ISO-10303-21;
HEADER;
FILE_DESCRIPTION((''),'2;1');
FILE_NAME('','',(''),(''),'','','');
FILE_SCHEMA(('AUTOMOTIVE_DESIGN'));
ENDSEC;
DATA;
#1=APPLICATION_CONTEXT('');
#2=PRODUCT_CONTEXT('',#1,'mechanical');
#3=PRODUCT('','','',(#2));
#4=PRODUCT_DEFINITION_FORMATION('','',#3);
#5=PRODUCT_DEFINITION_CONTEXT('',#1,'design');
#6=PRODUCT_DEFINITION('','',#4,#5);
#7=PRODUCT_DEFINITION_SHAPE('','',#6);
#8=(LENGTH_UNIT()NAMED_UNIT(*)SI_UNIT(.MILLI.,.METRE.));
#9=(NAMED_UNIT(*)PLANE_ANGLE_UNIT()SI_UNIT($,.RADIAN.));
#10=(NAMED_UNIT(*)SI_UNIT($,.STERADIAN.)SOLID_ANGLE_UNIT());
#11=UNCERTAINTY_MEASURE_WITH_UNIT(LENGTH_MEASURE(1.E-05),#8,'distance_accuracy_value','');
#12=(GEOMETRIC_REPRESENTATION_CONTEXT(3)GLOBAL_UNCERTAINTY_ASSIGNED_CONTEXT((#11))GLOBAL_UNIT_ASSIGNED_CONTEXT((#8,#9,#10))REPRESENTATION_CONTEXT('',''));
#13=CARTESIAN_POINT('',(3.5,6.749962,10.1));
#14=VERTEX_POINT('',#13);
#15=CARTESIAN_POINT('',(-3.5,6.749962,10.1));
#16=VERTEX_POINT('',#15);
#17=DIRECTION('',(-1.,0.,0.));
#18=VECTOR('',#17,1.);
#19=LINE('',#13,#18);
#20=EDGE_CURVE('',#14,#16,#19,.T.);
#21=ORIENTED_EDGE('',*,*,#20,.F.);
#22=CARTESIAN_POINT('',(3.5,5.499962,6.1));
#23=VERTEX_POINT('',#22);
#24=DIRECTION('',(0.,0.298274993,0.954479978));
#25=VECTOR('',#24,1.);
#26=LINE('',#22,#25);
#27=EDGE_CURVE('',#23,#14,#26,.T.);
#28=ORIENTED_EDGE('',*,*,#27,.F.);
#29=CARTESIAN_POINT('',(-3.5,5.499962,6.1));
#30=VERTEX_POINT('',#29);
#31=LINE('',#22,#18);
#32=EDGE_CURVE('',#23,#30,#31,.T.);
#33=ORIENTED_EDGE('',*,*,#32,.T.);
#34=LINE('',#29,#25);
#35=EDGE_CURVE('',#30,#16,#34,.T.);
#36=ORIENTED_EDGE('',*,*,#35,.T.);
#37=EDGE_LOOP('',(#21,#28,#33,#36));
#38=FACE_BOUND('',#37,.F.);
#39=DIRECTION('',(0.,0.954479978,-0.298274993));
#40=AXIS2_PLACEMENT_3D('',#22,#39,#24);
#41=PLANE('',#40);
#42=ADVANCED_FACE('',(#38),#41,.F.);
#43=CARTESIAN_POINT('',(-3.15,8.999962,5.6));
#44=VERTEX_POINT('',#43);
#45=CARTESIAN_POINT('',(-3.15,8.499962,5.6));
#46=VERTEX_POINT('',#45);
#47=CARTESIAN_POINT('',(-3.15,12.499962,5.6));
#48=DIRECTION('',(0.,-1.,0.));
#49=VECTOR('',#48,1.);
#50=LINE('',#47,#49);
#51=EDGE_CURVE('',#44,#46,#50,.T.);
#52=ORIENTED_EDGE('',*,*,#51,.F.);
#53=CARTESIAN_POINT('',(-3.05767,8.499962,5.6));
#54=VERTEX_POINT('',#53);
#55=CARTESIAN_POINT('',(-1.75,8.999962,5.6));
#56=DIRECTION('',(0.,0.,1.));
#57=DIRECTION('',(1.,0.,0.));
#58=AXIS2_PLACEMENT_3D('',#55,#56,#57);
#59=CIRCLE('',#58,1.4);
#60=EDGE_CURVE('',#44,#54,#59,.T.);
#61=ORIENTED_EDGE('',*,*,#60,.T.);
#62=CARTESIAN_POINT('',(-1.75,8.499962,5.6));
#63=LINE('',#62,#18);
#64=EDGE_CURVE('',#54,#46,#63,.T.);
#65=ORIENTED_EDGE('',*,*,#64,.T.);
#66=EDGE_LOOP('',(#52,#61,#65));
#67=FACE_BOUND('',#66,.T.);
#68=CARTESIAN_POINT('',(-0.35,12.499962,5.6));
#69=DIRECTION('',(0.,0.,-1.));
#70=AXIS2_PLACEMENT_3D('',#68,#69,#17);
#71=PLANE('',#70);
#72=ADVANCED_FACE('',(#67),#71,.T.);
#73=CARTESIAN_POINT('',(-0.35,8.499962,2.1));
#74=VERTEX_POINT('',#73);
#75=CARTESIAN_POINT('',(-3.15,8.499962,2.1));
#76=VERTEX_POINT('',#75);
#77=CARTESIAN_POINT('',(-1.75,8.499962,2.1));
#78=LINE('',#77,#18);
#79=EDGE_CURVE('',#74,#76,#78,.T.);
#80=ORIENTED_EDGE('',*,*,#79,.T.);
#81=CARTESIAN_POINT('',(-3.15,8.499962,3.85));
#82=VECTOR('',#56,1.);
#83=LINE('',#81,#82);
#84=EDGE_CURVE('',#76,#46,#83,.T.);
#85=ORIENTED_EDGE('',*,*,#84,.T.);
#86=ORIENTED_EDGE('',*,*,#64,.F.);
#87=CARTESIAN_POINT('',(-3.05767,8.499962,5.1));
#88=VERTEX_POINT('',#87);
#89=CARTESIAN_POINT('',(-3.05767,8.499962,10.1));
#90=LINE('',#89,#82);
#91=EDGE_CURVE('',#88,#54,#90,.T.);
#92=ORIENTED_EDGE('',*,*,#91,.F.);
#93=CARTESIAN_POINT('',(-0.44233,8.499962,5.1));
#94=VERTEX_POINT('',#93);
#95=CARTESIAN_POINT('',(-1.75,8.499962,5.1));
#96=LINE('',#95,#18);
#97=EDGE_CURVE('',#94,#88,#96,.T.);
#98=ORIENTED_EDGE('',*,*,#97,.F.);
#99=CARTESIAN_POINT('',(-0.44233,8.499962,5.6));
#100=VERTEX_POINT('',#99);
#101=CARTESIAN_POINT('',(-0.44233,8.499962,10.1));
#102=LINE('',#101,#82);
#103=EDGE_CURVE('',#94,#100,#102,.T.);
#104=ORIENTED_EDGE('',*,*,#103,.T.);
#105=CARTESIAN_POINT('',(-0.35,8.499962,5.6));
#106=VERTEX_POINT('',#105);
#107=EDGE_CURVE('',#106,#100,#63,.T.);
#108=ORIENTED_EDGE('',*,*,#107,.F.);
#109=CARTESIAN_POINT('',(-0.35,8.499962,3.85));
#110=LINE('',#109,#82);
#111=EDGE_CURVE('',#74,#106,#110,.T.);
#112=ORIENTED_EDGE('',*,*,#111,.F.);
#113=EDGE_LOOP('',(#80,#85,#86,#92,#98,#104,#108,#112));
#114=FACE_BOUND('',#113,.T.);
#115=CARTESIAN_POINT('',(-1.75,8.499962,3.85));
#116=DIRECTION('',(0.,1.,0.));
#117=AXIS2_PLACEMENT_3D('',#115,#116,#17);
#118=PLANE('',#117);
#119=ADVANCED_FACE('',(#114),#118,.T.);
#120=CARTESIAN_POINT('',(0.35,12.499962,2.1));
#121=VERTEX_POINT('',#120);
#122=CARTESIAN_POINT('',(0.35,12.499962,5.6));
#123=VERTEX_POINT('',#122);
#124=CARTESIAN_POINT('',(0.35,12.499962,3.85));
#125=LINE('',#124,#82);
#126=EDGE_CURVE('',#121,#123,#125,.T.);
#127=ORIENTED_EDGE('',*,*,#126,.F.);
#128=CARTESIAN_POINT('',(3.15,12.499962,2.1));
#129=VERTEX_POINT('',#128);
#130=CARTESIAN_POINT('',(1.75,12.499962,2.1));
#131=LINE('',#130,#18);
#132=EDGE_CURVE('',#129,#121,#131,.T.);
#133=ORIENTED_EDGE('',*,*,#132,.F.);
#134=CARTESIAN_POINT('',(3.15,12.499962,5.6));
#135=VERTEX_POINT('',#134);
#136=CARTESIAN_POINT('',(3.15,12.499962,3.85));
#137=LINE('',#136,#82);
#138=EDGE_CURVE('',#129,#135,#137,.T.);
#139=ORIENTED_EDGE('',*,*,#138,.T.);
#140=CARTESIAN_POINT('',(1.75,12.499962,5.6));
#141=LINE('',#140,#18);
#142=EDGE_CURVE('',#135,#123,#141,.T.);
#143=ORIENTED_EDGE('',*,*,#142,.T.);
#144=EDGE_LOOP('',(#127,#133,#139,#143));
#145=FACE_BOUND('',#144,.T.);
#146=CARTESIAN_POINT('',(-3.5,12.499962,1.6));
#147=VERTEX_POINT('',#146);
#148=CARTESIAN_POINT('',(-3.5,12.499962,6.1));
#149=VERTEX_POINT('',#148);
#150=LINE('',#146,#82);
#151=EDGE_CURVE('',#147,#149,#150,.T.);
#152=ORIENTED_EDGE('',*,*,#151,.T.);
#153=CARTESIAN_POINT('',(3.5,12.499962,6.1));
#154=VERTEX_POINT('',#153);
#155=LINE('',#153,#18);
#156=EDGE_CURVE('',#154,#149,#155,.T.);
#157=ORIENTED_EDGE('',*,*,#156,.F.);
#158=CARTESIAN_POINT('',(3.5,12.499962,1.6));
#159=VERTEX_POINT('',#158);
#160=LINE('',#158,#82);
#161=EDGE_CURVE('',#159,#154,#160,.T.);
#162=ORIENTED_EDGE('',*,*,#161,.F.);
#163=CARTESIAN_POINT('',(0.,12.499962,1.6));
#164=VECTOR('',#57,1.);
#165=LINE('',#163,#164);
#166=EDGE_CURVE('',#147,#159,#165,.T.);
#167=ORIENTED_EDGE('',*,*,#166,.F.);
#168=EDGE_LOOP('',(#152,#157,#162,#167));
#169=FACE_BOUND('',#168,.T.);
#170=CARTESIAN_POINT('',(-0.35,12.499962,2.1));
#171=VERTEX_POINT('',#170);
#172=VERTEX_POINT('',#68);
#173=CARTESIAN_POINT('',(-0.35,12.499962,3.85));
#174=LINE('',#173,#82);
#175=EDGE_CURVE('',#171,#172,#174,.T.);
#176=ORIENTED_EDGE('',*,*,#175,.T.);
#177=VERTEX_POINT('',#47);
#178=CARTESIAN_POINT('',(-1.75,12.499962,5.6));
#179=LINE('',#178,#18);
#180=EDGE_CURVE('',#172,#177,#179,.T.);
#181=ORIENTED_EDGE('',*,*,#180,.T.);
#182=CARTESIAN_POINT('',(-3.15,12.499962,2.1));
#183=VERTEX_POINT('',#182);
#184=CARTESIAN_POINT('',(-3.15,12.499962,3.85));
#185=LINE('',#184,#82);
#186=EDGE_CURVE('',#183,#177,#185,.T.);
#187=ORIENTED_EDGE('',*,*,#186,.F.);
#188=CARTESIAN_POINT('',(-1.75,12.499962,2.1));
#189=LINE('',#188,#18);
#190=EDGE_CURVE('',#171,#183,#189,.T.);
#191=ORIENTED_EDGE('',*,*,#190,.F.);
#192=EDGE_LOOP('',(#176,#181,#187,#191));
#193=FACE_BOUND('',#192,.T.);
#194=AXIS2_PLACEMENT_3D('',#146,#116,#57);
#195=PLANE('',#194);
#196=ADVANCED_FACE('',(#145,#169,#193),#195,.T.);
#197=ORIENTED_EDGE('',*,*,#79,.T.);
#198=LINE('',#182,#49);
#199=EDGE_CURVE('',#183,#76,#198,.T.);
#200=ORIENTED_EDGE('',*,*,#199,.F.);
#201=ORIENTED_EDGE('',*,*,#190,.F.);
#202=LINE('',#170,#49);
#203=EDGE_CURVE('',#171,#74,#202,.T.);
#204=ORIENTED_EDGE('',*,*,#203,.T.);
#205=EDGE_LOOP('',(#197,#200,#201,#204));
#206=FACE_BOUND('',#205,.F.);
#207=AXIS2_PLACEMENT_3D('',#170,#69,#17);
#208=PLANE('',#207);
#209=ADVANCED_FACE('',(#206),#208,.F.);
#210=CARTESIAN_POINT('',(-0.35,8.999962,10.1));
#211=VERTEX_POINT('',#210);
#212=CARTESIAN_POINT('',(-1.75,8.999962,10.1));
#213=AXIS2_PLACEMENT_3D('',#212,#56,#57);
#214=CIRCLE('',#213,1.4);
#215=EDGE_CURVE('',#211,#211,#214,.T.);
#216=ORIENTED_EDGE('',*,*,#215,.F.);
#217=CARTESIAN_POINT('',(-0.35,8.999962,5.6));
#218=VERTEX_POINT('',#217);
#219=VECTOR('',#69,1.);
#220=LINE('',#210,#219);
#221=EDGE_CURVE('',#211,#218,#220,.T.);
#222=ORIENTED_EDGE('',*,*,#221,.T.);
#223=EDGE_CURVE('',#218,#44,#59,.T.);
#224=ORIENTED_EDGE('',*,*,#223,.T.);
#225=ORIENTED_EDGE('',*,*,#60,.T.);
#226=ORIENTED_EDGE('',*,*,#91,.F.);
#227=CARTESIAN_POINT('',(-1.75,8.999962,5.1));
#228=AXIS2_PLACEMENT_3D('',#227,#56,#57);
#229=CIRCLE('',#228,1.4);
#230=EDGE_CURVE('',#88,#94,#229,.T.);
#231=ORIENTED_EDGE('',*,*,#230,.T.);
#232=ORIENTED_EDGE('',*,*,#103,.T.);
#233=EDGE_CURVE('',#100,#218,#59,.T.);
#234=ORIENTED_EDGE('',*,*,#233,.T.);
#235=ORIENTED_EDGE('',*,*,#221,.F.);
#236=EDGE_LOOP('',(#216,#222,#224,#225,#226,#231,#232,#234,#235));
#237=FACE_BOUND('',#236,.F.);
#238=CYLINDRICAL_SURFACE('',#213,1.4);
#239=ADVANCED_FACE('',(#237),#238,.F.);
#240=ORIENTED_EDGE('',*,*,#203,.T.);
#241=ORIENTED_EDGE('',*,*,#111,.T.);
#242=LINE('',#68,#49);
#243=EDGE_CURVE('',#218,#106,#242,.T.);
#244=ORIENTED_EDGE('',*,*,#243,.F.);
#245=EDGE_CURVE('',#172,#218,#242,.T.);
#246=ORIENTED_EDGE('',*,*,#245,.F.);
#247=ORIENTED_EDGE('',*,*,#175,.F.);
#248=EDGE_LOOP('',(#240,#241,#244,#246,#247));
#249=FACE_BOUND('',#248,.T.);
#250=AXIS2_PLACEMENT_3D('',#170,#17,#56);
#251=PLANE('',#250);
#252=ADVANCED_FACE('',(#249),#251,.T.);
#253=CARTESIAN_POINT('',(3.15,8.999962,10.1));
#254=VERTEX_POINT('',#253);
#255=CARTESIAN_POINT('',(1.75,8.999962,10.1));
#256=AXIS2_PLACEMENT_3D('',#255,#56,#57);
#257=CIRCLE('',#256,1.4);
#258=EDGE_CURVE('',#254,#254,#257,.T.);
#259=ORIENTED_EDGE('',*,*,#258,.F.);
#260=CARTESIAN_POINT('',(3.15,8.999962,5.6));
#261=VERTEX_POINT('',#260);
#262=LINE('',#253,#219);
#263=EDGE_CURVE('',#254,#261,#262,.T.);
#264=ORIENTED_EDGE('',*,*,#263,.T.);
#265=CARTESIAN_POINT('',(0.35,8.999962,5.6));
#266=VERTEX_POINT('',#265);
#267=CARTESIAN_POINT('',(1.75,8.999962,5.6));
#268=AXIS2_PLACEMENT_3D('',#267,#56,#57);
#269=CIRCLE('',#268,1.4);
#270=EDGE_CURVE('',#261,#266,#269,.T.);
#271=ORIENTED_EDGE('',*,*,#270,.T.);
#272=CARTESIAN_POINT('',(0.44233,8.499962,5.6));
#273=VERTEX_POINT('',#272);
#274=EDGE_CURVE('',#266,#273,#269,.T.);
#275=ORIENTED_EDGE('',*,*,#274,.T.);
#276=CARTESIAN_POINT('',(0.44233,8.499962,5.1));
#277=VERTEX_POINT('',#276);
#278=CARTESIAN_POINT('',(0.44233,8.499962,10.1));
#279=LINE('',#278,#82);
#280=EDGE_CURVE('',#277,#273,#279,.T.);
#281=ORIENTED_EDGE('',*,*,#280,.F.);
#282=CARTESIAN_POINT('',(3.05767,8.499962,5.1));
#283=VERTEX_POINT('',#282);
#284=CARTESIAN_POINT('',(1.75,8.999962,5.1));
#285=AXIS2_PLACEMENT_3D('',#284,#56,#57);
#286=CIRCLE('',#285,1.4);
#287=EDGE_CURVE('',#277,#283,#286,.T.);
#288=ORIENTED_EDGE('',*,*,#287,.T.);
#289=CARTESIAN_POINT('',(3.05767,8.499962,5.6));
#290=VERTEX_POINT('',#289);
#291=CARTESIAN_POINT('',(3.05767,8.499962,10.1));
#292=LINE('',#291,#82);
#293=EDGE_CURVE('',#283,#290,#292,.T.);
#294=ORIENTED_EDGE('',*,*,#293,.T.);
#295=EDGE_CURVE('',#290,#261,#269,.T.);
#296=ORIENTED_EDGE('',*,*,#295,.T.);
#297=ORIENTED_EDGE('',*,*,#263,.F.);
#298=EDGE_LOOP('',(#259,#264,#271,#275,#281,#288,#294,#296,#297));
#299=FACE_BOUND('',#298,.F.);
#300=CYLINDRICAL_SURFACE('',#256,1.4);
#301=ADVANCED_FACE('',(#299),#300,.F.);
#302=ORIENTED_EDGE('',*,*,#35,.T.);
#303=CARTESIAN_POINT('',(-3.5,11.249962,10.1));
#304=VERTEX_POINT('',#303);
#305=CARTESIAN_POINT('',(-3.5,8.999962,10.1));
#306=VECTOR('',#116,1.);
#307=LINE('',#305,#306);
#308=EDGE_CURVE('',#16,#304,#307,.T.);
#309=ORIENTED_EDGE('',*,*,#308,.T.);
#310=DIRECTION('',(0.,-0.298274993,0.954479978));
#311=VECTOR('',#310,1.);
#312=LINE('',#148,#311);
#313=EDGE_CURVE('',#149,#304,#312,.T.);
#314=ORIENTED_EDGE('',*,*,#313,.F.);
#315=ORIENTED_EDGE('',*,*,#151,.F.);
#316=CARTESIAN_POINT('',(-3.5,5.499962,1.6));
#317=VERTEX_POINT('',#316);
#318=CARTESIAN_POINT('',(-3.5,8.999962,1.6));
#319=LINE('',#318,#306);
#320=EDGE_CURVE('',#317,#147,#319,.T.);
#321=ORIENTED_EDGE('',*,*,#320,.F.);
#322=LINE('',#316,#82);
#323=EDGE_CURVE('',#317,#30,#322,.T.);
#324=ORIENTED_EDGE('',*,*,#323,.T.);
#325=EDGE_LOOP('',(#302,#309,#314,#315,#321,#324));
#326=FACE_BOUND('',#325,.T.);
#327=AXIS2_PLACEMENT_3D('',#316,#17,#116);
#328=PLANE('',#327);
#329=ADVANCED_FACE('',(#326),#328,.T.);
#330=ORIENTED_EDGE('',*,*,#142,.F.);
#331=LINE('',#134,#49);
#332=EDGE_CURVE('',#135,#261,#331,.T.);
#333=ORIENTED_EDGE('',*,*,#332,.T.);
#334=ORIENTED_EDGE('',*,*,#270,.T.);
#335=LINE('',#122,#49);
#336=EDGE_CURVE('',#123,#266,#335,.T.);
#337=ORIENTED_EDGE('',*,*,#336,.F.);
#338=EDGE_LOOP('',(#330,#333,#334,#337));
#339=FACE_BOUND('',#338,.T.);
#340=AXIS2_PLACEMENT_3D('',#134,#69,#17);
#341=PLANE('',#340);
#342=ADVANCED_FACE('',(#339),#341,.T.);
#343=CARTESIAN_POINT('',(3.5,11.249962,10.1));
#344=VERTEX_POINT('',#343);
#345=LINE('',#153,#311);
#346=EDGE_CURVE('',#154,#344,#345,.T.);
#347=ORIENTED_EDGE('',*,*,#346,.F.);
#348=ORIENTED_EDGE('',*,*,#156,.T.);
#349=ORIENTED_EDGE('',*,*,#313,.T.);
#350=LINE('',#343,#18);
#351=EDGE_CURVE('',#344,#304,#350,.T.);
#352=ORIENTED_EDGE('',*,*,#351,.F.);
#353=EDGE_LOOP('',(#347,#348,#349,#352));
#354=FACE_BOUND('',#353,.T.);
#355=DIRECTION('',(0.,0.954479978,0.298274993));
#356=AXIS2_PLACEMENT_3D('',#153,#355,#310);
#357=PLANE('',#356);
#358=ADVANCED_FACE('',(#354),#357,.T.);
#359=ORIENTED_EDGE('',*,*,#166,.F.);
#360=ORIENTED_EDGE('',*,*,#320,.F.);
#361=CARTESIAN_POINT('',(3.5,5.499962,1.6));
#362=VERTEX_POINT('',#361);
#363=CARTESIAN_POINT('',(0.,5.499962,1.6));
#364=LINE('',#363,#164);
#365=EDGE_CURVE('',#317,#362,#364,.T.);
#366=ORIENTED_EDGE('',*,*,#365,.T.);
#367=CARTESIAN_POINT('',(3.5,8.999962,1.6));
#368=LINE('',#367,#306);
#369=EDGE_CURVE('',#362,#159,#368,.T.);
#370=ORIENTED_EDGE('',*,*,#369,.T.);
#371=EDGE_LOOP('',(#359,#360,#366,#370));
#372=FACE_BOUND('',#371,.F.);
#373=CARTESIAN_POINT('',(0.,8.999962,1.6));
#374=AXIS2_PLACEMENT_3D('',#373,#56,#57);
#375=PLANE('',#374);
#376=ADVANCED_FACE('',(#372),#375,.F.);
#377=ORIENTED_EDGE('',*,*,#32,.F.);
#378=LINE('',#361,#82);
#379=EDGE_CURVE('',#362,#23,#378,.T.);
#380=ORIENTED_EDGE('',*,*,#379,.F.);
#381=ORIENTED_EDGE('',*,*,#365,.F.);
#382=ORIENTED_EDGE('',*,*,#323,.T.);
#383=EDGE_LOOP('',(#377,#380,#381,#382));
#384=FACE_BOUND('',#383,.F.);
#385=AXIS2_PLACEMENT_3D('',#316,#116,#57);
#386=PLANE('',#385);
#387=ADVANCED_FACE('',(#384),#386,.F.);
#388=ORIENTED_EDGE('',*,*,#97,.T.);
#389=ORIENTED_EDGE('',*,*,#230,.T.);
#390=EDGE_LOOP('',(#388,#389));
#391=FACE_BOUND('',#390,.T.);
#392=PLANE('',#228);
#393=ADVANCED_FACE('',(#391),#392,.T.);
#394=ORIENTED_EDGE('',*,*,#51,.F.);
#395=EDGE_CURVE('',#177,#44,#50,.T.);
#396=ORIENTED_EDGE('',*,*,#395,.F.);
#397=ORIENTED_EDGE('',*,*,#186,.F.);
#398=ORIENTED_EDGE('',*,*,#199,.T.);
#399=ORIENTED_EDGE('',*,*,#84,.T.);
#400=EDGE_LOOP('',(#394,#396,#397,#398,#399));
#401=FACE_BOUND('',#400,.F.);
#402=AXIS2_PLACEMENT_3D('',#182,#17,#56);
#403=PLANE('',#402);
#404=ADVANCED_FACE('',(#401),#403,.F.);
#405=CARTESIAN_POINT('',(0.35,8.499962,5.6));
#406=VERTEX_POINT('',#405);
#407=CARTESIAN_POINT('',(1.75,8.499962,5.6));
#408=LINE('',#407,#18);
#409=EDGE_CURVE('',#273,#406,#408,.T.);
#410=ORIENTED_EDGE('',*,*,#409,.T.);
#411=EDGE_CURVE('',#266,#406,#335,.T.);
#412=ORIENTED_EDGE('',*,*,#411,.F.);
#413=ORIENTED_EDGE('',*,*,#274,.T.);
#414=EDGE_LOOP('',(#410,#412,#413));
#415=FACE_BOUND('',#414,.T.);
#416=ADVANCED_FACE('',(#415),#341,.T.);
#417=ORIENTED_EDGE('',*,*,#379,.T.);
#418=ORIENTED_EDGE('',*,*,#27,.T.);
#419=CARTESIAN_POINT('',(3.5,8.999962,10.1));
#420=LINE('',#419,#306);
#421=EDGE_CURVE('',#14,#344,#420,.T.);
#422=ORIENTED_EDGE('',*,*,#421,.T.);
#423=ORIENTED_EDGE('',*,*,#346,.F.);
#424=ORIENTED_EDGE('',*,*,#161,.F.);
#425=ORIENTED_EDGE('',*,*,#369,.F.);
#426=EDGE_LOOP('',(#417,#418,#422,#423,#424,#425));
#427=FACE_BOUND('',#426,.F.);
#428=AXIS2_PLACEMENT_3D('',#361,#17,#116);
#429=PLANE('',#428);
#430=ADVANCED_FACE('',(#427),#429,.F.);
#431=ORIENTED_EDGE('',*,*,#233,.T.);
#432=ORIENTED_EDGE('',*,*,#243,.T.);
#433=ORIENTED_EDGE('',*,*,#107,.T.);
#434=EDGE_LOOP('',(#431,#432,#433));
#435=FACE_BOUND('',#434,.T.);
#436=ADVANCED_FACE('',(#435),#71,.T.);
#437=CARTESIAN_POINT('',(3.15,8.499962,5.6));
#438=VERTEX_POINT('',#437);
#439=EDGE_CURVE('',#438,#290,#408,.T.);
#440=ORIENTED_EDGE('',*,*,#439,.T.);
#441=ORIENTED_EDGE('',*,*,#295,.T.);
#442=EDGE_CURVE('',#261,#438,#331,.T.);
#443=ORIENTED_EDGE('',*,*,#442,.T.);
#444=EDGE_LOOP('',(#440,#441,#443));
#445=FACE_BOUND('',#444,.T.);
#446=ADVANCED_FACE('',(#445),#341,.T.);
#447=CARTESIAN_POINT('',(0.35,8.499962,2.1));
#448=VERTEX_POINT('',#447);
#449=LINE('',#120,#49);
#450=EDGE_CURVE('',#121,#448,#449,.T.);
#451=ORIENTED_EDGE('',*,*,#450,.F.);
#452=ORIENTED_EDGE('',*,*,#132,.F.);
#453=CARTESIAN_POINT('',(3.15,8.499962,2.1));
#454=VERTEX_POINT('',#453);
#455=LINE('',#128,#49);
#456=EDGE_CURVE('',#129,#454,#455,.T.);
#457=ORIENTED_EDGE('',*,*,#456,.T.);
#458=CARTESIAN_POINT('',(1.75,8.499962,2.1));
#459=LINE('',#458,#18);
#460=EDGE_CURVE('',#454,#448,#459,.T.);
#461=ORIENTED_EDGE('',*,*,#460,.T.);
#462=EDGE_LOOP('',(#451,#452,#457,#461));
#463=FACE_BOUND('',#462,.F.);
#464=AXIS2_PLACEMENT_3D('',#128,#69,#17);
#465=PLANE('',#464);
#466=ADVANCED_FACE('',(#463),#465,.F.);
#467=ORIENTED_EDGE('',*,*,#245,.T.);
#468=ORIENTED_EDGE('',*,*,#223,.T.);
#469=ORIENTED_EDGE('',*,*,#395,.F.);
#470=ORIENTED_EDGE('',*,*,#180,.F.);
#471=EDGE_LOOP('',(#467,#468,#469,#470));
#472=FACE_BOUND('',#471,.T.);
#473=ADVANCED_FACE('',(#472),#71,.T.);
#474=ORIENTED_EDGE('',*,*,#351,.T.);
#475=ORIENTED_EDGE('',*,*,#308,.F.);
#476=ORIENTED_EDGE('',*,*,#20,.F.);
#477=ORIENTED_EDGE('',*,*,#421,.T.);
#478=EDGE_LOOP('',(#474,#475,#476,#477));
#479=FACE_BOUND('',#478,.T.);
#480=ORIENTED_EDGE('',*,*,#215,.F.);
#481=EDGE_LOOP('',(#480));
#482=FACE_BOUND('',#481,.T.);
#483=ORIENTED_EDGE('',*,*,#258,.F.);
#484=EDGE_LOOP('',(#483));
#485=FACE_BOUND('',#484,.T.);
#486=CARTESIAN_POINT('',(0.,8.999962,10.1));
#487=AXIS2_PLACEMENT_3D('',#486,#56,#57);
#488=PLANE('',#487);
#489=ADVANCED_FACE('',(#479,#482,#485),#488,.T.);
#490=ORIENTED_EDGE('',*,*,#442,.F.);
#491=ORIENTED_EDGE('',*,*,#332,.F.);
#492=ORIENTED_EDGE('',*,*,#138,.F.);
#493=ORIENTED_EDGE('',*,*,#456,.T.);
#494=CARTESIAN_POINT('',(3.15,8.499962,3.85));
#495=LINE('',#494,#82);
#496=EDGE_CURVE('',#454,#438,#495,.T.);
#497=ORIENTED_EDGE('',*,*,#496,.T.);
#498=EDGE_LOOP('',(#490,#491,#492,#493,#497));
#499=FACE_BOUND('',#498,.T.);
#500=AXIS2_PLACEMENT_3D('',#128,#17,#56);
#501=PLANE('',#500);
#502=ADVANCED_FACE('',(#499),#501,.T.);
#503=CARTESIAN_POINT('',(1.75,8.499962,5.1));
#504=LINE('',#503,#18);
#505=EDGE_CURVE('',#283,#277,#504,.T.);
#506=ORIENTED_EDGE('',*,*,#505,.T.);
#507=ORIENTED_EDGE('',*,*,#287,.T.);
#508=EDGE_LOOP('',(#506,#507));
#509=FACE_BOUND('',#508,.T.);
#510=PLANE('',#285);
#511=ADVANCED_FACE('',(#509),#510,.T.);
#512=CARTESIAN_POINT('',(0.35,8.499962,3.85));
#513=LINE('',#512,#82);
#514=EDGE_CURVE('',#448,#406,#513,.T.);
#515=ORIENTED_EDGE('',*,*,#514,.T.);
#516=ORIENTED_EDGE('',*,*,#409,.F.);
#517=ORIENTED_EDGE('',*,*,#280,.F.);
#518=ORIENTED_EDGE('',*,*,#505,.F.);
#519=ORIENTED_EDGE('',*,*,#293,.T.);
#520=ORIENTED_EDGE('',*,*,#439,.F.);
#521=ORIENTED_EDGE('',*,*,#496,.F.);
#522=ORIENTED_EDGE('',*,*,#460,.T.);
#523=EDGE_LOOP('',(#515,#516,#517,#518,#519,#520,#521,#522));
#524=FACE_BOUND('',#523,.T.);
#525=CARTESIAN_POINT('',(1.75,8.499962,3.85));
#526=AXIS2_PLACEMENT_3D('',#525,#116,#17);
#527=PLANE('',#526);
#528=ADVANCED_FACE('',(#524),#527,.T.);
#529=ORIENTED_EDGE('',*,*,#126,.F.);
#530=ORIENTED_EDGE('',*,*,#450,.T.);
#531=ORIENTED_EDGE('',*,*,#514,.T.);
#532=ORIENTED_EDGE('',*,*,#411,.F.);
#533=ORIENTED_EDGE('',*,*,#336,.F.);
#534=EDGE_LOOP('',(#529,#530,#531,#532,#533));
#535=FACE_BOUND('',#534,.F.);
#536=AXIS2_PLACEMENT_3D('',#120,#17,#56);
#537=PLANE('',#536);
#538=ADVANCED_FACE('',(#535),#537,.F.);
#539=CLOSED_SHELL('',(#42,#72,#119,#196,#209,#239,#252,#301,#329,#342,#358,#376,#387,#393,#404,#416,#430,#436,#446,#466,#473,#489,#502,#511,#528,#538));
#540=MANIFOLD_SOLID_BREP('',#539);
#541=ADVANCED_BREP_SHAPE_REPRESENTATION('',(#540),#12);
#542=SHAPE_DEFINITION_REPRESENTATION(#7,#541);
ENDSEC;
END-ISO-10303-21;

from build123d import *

# Parameters (mm, degrees)
SKETCH001_W     = 7
SKETCH001_H     = 7
PAD001_DEPTH    = 8.5
POCKET_DEPTH    = 7
SKETCH003_R     = 1.4
POCKET001_DEPTH = 5
SKETCH004_W     = 2.8
SKETCH004_H     = 3.5
POCKET002_DEPTH = 4


with BuildPart() as part:
    # Sketch001 (on Face1 of CopyFillet) → Pad001 (new body)
    with BuildSketch(Plane.XY.offset(1.6)):
        with Locations((0, 8.999962)):
            Rectangle(SKETCH001_W, SKETCH001_H)
    extrude(amount=PAD001_DEPTH)

    # Sketch002 (on Face2 of Pad001) → Pocket (cut)
    with BuildSketch(Plane(origin=(3.5, 0, 1.6), x_dir=(0, 1, 0), z_dir=(1, 0, 0))):
        Polygon((5.499962, 4.5), (6.749962, 8.5), (5.499962, 8.5), align=None)
        Polygon((11.249962, 8.5), (12.499962, 8.5), (12.499962, 4.5), align=None)
    extrude(amount=-POCKET_DEPTH, mode=Mode.SUBTRACT)

    # Sketch003 (on Face8 of Pocket) → Pocket001 (cut)
    with BuildSketch(Plane.XY.offset(10.1)):
        with Locations((-1.75, 8.999962)):
            Circle(SKETCH003_R)
        with Locations((1.75, 8.999962)):
            Circle(SKETCH003_R)
    extrude(amount=-POCKET001_DEPTH, mode=Mode.SUBTRACT)

    # Sketch004 (on Face6 of Pocket001) → Pocket002 (cut)
    with BuildSketch(Plane(origin=(0, 12.499962, 1.6), x_dir=(-1, 0, 0), z_dir=(0, 1, 0))):
        with Locations((-1.75, 2.25)):
            Rectangle(SKETCH004_W, SKETCH004_H)
        with Locations((1.75, 2.25)):
            Rectangle(SKETCH004_W, SKETCH004_H)
    extrude(amount=-POCKET002_DEPTH, mode=Mode.SUBTRACT)


solid = part.part
